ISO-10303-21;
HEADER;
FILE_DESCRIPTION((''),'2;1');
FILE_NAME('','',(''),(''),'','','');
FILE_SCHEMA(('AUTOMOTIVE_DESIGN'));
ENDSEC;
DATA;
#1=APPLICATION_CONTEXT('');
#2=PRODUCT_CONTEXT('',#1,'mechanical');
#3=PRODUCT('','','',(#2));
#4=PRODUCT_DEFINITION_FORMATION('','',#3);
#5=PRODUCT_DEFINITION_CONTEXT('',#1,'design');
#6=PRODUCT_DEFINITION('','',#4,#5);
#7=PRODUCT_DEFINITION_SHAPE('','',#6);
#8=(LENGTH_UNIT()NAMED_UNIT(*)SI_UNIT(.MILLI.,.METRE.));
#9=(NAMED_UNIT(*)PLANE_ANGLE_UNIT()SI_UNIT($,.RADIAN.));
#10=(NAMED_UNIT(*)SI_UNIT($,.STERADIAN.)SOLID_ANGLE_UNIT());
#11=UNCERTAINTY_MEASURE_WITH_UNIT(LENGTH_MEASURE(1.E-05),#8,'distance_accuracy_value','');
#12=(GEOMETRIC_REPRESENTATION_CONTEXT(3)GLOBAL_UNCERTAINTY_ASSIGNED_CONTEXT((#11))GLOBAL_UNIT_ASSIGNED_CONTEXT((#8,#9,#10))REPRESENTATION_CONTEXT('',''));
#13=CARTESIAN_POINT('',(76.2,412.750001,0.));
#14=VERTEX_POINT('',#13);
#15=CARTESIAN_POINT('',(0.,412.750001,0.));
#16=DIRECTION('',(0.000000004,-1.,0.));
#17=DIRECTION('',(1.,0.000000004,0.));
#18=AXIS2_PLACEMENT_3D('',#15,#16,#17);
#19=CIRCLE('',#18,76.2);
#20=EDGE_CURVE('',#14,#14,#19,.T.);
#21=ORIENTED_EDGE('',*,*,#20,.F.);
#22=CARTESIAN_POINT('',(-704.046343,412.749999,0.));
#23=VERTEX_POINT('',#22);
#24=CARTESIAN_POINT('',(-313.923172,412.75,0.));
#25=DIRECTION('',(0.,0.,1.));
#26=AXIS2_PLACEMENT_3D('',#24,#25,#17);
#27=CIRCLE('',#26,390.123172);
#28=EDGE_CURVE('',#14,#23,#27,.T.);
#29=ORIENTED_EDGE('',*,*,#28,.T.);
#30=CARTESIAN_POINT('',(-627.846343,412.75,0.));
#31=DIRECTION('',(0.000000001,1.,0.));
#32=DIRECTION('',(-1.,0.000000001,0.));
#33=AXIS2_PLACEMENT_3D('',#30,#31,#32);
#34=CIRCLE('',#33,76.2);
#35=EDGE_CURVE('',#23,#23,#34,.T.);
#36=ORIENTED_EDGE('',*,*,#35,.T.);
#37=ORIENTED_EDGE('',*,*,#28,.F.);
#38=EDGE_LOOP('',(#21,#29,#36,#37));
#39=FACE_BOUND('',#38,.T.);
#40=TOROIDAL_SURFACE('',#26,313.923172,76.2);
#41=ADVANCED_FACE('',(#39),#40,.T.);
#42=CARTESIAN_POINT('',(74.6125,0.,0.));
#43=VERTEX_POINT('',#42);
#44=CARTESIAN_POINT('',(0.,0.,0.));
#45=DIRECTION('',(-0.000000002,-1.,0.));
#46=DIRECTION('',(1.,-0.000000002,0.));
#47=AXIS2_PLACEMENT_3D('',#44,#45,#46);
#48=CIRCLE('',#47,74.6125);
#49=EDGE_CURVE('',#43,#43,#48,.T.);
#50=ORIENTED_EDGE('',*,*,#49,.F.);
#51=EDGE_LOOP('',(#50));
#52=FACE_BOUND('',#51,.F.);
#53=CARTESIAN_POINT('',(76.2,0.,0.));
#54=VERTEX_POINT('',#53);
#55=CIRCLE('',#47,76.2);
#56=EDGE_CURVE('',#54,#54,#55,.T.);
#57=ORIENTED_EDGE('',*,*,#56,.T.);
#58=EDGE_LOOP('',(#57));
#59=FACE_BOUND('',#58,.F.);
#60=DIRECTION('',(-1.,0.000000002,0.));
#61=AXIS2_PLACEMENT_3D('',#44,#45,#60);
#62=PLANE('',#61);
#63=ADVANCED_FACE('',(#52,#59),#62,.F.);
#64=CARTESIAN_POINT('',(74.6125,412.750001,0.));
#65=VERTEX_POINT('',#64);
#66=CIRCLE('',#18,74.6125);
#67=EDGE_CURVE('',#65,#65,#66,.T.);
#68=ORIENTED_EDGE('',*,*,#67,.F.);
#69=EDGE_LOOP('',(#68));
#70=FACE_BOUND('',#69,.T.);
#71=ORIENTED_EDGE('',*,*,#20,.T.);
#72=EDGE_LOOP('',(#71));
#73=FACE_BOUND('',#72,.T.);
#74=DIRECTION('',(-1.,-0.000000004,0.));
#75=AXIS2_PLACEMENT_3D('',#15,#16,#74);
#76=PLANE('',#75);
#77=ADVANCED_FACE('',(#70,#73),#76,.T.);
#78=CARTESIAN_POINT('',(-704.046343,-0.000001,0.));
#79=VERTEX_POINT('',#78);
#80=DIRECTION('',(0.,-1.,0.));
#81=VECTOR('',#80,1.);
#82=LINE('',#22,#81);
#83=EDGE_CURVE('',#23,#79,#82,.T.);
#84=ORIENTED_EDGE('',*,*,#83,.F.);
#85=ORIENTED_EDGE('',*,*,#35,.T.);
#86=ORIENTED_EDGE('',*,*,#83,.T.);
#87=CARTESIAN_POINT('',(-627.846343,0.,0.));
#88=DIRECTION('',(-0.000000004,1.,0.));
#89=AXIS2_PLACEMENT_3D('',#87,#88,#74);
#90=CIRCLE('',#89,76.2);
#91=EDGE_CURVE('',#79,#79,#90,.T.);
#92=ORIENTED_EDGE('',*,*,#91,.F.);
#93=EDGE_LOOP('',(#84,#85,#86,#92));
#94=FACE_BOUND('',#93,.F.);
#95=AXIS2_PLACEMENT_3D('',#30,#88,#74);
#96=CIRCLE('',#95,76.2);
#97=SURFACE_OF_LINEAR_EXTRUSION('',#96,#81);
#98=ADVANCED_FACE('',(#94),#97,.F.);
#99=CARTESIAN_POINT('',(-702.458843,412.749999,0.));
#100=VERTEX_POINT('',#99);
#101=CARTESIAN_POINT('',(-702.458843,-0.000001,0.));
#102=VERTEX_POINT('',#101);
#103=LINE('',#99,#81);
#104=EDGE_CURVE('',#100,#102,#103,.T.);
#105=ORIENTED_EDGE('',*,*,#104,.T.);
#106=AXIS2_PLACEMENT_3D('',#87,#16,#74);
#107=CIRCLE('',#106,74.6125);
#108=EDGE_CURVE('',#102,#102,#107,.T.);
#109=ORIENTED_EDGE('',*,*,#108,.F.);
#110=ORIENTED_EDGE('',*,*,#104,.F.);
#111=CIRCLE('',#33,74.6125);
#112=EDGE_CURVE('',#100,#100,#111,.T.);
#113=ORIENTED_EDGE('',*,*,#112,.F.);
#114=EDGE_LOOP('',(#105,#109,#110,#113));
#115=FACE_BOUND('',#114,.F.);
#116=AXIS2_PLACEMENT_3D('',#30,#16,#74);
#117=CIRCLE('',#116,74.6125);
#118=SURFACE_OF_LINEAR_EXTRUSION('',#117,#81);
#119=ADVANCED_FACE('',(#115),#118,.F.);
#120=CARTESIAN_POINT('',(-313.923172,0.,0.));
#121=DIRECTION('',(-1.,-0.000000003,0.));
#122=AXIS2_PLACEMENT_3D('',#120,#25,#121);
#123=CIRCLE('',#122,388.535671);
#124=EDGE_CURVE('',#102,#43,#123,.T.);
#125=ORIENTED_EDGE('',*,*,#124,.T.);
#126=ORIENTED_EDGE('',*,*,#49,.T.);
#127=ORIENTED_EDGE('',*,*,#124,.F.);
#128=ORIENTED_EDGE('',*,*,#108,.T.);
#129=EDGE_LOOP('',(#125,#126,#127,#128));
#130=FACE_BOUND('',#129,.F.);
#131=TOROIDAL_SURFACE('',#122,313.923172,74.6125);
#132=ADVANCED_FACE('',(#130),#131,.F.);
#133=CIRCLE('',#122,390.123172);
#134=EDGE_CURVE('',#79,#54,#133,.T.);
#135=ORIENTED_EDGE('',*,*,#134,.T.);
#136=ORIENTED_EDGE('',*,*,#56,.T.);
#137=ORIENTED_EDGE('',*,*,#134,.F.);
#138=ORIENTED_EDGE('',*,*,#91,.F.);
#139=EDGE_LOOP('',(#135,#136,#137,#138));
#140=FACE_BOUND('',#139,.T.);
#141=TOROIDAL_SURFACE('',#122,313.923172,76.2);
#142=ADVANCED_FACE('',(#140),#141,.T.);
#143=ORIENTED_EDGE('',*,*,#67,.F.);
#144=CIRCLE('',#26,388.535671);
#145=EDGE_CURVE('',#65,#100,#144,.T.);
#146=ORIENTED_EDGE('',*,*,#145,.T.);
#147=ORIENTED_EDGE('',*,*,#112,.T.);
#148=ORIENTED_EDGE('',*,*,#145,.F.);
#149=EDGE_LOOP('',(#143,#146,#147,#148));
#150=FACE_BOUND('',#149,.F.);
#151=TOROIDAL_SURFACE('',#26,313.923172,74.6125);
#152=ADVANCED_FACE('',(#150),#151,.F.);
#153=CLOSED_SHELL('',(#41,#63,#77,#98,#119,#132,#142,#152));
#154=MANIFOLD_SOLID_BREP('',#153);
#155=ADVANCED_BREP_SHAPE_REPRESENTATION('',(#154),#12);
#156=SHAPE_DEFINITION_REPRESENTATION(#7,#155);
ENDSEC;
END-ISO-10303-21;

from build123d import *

# Parameters (mm, degrees)
F0_R   = 76.2
F0_R_2 = 74.6125


with BuildPart() as f2:
    # F2: sweep along a path in F1
    with BuildLine(Plane.XY) as f2_path:
        ThreePointArc((-76.2, 412.75), (-313.923171, 650.473171), (-551.646343, 412.75))
        Line((-551.646343, 412.75), (-551.646343, 0))
        ThreePointArc((-551.646343, 0), (-313.923171, -237.723171), (-76.2, 0))
    # F0 (on Front) → F2 (sweep)
    with BuildSketch(Plane.XZ):
        Circle(F0_R)
        Circle(F0_R_2, mode=Mode.SUBTRACT)
    sweep(path=f2_path.line)


solid = f2.part
